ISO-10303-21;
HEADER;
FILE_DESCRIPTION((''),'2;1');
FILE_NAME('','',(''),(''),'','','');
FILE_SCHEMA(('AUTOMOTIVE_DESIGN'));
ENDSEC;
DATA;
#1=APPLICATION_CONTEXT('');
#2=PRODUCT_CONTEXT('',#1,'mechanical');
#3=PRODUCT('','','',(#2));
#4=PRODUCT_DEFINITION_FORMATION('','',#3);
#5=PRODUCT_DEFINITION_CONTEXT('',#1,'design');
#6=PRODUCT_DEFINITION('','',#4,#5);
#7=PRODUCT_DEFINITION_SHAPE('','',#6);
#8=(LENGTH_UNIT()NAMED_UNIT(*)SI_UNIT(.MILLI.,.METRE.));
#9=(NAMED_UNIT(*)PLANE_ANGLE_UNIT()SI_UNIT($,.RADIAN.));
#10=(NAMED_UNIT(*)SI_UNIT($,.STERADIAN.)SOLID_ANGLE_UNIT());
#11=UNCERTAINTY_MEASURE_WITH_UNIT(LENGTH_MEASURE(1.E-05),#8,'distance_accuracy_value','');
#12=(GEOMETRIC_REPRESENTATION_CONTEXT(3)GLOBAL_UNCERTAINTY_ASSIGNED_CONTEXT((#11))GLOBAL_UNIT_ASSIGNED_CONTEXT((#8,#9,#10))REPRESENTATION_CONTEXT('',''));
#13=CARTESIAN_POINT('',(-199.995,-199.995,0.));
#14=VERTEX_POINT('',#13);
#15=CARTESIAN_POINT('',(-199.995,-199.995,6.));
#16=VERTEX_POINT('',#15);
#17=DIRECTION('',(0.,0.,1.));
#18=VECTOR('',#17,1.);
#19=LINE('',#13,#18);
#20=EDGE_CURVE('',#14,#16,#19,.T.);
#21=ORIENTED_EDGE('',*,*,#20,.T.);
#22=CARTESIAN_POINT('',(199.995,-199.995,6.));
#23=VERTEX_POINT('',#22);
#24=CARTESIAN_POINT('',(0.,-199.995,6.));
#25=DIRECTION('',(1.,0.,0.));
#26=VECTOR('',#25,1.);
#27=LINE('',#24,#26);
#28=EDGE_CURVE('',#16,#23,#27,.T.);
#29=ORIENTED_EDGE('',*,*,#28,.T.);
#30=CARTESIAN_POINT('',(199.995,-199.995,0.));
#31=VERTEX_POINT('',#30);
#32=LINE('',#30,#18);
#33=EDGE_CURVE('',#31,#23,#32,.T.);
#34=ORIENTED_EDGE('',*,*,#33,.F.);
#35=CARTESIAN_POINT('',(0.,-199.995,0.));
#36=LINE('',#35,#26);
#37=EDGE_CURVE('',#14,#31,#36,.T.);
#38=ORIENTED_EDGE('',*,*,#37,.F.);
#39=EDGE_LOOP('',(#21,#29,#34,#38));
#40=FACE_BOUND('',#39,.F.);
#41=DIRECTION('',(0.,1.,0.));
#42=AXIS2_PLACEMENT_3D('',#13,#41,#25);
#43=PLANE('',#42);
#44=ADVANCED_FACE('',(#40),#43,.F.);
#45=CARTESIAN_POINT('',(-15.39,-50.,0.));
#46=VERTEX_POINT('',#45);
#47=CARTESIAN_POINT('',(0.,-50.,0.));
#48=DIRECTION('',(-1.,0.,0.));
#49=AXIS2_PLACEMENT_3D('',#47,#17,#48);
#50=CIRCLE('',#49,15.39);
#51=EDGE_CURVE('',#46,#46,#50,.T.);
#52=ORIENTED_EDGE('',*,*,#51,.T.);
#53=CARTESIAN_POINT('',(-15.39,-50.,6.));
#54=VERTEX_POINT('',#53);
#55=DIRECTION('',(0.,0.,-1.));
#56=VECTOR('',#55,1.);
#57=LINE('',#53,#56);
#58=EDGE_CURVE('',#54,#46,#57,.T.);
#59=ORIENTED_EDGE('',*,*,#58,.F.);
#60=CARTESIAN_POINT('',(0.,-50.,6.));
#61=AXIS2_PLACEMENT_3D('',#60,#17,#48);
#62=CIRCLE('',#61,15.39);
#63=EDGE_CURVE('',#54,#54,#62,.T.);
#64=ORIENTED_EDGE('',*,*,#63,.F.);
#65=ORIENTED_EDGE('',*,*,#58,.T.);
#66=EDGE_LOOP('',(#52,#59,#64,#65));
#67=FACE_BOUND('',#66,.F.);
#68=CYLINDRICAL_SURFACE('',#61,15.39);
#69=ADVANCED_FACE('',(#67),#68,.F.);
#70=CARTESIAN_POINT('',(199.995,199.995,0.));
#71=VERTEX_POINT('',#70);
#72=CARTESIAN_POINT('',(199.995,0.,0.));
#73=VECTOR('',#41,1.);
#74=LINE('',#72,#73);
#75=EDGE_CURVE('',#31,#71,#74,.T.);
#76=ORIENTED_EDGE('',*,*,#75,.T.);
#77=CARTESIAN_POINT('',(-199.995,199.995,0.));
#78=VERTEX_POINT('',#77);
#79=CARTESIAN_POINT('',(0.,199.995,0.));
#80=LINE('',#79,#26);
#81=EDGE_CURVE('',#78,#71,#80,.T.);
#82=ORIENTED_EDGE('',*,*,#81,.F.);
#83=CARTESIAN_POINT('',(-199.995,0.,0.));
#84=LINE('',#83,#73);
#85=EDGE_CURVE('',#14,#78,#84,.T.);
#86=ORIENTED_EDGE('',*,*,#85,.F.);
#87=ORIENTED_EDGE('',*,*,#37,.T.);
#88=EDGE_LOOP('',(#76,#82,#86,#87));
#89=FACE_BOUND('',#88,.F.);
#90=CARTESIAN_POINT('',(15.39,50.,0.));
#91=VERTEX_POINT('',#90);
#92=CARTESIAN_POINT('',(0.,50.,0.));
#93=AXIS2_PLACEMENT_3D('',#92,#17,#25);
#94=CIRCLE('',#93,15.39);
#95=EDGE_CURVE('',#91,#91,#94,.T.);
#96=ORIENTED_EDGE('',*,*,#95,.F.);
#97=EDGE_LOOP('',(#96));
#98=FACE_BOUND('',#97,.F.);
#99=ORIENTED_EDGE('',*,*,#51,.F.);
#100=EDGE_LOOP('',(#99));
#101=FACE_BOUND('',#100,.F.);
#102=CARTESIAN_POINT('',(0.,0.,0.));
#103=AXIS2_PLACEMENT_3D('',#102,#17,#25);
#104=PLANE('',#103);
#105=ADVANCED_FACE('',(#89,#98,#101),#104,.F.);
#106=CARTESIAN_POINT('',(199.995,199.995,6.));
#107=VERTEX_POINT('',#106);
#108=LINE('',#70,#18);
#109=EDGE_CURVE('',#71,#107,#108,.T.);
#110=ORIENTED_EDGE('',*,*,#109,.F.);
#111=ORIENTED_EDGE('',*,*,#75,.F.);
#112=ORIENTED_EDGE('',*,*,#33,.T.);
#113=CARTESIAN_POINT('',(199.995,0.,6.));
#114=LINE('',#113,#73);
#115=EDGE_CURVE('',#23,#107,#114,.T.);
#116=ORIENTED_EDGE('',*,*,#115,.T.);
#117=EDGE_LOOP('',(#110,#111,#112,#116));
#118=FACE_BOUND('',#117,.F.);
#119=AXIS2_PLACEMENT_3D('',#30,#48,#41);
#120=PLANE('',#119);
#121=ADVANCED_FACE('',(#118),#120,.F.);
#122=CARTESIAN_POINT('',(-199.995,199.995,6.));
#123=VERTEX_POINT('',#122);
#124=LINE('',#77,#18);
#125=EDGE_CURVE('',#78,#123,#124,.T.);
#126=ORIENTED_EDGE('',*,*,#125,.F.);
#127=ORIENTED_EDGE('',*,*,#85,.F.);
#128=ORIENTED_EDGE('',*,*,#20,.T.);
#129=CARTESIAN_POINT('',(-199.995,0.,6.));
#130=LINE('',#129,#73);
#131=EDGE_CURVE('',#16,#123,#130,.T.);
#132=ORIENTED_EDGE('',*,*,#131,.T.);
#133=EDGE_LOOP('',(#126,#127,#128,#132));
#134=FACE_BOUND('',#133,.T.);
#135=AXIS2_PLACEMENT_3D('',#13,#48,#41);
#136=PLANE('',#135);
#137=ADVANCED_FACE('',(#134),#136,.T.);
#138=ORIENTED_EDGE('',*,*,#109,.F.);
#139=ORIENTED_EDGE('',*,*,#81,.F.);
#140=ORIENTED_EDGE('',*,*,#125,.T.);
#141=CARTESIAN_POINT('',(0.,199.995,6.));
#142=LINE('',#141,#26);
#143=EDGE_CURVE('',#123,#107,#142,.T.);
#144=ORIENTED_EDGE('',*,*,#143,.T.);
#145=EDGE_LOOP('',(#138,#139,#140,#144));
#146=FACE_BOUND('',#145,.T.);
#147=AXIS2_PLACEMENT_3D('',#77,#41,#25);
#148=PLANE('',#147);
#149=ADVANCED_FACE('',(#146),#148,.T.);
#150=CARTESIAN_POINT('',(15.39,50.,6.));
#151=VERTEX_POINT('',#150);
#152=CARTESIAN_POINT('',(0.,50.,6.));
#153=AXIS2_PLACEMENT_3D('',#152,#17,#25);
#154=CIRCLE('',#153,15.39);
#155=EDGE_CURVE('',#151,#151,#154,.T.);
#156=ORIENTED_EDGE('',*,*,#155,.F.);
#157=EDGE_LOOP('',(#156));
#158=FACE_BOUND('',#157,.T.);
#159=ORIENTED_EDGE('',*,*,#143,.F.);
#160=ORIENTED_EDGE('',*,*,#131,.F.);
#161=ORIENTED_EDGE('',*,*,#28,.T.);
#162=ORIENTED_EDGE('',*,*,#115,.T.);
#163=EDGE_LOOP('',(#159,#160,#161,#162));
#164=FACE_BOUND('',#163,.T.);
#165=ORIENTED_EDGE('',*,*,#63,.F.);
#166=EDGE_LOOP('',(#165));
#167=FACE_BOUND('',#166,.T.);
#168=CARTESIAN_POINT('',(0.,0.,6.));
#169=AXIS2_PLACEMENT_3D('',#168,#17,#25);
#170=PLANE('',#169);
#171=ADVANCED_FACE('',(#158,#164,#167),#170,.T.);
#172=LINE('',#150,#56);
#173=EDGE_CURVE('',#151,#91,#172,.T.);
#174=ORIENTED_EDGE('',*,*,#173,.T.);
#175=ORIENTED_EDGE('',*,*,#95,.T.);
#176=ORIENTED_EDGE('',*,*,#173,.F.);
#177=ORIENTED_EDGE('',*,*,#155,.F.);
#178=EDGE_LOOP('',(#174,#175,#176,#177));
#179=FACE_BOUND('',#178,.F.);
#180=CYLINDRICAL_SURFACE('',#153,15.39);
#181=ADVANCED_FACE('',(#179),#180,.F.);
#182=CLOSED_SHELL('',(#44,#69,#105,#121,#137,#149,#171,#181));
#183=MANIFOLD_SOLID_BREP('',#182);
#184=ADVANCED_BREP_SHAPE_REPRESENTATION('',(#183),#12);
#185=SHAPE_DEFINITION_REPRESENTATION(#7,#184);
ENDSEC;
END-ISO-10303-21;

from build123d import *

# Parameters (mm, degrees)
SKETCH_W              = 399.99
SKETCH_H              = 399.99
PAD_DEPTH             = 6
SKETCH001_R           = 15.39
POCKET_DEPTH          = 1137.407205
POLARPATTERN001_COUNT = 2


with BuildPart() as part:
    # Sketch → Pad (new body)
    with BuildSketch(Plane.XY):
        Rectangle(SKETCH_W, SKETCH_H)
    extrude(amount=PAD_DEPTH)

    # Sketch001 (on Face6 of Pad) → Pocket (cut, through all)
    with BuildSketch(Plane.XY.offset(6)):
        with Locations((0, 50)):
            Circle(SKETCH001_R)
    pocket = extrude(amount=-POCKET_DEPTH, mode=Mode.SUBTRACT)

    # PolarPattern001: Pocket ×2 about axis
    polarpattern001_axis = Axis((0, 0, 6), (0, 0, 1))
    for i in range(1, POLARPATTERN001_COUNT):
        add(pocket.rotate(polarpattern001_axis, i * 360 / POLARPATTERN001_COUNT), mode=Mode.SUBTRACT)


solid = part.part
